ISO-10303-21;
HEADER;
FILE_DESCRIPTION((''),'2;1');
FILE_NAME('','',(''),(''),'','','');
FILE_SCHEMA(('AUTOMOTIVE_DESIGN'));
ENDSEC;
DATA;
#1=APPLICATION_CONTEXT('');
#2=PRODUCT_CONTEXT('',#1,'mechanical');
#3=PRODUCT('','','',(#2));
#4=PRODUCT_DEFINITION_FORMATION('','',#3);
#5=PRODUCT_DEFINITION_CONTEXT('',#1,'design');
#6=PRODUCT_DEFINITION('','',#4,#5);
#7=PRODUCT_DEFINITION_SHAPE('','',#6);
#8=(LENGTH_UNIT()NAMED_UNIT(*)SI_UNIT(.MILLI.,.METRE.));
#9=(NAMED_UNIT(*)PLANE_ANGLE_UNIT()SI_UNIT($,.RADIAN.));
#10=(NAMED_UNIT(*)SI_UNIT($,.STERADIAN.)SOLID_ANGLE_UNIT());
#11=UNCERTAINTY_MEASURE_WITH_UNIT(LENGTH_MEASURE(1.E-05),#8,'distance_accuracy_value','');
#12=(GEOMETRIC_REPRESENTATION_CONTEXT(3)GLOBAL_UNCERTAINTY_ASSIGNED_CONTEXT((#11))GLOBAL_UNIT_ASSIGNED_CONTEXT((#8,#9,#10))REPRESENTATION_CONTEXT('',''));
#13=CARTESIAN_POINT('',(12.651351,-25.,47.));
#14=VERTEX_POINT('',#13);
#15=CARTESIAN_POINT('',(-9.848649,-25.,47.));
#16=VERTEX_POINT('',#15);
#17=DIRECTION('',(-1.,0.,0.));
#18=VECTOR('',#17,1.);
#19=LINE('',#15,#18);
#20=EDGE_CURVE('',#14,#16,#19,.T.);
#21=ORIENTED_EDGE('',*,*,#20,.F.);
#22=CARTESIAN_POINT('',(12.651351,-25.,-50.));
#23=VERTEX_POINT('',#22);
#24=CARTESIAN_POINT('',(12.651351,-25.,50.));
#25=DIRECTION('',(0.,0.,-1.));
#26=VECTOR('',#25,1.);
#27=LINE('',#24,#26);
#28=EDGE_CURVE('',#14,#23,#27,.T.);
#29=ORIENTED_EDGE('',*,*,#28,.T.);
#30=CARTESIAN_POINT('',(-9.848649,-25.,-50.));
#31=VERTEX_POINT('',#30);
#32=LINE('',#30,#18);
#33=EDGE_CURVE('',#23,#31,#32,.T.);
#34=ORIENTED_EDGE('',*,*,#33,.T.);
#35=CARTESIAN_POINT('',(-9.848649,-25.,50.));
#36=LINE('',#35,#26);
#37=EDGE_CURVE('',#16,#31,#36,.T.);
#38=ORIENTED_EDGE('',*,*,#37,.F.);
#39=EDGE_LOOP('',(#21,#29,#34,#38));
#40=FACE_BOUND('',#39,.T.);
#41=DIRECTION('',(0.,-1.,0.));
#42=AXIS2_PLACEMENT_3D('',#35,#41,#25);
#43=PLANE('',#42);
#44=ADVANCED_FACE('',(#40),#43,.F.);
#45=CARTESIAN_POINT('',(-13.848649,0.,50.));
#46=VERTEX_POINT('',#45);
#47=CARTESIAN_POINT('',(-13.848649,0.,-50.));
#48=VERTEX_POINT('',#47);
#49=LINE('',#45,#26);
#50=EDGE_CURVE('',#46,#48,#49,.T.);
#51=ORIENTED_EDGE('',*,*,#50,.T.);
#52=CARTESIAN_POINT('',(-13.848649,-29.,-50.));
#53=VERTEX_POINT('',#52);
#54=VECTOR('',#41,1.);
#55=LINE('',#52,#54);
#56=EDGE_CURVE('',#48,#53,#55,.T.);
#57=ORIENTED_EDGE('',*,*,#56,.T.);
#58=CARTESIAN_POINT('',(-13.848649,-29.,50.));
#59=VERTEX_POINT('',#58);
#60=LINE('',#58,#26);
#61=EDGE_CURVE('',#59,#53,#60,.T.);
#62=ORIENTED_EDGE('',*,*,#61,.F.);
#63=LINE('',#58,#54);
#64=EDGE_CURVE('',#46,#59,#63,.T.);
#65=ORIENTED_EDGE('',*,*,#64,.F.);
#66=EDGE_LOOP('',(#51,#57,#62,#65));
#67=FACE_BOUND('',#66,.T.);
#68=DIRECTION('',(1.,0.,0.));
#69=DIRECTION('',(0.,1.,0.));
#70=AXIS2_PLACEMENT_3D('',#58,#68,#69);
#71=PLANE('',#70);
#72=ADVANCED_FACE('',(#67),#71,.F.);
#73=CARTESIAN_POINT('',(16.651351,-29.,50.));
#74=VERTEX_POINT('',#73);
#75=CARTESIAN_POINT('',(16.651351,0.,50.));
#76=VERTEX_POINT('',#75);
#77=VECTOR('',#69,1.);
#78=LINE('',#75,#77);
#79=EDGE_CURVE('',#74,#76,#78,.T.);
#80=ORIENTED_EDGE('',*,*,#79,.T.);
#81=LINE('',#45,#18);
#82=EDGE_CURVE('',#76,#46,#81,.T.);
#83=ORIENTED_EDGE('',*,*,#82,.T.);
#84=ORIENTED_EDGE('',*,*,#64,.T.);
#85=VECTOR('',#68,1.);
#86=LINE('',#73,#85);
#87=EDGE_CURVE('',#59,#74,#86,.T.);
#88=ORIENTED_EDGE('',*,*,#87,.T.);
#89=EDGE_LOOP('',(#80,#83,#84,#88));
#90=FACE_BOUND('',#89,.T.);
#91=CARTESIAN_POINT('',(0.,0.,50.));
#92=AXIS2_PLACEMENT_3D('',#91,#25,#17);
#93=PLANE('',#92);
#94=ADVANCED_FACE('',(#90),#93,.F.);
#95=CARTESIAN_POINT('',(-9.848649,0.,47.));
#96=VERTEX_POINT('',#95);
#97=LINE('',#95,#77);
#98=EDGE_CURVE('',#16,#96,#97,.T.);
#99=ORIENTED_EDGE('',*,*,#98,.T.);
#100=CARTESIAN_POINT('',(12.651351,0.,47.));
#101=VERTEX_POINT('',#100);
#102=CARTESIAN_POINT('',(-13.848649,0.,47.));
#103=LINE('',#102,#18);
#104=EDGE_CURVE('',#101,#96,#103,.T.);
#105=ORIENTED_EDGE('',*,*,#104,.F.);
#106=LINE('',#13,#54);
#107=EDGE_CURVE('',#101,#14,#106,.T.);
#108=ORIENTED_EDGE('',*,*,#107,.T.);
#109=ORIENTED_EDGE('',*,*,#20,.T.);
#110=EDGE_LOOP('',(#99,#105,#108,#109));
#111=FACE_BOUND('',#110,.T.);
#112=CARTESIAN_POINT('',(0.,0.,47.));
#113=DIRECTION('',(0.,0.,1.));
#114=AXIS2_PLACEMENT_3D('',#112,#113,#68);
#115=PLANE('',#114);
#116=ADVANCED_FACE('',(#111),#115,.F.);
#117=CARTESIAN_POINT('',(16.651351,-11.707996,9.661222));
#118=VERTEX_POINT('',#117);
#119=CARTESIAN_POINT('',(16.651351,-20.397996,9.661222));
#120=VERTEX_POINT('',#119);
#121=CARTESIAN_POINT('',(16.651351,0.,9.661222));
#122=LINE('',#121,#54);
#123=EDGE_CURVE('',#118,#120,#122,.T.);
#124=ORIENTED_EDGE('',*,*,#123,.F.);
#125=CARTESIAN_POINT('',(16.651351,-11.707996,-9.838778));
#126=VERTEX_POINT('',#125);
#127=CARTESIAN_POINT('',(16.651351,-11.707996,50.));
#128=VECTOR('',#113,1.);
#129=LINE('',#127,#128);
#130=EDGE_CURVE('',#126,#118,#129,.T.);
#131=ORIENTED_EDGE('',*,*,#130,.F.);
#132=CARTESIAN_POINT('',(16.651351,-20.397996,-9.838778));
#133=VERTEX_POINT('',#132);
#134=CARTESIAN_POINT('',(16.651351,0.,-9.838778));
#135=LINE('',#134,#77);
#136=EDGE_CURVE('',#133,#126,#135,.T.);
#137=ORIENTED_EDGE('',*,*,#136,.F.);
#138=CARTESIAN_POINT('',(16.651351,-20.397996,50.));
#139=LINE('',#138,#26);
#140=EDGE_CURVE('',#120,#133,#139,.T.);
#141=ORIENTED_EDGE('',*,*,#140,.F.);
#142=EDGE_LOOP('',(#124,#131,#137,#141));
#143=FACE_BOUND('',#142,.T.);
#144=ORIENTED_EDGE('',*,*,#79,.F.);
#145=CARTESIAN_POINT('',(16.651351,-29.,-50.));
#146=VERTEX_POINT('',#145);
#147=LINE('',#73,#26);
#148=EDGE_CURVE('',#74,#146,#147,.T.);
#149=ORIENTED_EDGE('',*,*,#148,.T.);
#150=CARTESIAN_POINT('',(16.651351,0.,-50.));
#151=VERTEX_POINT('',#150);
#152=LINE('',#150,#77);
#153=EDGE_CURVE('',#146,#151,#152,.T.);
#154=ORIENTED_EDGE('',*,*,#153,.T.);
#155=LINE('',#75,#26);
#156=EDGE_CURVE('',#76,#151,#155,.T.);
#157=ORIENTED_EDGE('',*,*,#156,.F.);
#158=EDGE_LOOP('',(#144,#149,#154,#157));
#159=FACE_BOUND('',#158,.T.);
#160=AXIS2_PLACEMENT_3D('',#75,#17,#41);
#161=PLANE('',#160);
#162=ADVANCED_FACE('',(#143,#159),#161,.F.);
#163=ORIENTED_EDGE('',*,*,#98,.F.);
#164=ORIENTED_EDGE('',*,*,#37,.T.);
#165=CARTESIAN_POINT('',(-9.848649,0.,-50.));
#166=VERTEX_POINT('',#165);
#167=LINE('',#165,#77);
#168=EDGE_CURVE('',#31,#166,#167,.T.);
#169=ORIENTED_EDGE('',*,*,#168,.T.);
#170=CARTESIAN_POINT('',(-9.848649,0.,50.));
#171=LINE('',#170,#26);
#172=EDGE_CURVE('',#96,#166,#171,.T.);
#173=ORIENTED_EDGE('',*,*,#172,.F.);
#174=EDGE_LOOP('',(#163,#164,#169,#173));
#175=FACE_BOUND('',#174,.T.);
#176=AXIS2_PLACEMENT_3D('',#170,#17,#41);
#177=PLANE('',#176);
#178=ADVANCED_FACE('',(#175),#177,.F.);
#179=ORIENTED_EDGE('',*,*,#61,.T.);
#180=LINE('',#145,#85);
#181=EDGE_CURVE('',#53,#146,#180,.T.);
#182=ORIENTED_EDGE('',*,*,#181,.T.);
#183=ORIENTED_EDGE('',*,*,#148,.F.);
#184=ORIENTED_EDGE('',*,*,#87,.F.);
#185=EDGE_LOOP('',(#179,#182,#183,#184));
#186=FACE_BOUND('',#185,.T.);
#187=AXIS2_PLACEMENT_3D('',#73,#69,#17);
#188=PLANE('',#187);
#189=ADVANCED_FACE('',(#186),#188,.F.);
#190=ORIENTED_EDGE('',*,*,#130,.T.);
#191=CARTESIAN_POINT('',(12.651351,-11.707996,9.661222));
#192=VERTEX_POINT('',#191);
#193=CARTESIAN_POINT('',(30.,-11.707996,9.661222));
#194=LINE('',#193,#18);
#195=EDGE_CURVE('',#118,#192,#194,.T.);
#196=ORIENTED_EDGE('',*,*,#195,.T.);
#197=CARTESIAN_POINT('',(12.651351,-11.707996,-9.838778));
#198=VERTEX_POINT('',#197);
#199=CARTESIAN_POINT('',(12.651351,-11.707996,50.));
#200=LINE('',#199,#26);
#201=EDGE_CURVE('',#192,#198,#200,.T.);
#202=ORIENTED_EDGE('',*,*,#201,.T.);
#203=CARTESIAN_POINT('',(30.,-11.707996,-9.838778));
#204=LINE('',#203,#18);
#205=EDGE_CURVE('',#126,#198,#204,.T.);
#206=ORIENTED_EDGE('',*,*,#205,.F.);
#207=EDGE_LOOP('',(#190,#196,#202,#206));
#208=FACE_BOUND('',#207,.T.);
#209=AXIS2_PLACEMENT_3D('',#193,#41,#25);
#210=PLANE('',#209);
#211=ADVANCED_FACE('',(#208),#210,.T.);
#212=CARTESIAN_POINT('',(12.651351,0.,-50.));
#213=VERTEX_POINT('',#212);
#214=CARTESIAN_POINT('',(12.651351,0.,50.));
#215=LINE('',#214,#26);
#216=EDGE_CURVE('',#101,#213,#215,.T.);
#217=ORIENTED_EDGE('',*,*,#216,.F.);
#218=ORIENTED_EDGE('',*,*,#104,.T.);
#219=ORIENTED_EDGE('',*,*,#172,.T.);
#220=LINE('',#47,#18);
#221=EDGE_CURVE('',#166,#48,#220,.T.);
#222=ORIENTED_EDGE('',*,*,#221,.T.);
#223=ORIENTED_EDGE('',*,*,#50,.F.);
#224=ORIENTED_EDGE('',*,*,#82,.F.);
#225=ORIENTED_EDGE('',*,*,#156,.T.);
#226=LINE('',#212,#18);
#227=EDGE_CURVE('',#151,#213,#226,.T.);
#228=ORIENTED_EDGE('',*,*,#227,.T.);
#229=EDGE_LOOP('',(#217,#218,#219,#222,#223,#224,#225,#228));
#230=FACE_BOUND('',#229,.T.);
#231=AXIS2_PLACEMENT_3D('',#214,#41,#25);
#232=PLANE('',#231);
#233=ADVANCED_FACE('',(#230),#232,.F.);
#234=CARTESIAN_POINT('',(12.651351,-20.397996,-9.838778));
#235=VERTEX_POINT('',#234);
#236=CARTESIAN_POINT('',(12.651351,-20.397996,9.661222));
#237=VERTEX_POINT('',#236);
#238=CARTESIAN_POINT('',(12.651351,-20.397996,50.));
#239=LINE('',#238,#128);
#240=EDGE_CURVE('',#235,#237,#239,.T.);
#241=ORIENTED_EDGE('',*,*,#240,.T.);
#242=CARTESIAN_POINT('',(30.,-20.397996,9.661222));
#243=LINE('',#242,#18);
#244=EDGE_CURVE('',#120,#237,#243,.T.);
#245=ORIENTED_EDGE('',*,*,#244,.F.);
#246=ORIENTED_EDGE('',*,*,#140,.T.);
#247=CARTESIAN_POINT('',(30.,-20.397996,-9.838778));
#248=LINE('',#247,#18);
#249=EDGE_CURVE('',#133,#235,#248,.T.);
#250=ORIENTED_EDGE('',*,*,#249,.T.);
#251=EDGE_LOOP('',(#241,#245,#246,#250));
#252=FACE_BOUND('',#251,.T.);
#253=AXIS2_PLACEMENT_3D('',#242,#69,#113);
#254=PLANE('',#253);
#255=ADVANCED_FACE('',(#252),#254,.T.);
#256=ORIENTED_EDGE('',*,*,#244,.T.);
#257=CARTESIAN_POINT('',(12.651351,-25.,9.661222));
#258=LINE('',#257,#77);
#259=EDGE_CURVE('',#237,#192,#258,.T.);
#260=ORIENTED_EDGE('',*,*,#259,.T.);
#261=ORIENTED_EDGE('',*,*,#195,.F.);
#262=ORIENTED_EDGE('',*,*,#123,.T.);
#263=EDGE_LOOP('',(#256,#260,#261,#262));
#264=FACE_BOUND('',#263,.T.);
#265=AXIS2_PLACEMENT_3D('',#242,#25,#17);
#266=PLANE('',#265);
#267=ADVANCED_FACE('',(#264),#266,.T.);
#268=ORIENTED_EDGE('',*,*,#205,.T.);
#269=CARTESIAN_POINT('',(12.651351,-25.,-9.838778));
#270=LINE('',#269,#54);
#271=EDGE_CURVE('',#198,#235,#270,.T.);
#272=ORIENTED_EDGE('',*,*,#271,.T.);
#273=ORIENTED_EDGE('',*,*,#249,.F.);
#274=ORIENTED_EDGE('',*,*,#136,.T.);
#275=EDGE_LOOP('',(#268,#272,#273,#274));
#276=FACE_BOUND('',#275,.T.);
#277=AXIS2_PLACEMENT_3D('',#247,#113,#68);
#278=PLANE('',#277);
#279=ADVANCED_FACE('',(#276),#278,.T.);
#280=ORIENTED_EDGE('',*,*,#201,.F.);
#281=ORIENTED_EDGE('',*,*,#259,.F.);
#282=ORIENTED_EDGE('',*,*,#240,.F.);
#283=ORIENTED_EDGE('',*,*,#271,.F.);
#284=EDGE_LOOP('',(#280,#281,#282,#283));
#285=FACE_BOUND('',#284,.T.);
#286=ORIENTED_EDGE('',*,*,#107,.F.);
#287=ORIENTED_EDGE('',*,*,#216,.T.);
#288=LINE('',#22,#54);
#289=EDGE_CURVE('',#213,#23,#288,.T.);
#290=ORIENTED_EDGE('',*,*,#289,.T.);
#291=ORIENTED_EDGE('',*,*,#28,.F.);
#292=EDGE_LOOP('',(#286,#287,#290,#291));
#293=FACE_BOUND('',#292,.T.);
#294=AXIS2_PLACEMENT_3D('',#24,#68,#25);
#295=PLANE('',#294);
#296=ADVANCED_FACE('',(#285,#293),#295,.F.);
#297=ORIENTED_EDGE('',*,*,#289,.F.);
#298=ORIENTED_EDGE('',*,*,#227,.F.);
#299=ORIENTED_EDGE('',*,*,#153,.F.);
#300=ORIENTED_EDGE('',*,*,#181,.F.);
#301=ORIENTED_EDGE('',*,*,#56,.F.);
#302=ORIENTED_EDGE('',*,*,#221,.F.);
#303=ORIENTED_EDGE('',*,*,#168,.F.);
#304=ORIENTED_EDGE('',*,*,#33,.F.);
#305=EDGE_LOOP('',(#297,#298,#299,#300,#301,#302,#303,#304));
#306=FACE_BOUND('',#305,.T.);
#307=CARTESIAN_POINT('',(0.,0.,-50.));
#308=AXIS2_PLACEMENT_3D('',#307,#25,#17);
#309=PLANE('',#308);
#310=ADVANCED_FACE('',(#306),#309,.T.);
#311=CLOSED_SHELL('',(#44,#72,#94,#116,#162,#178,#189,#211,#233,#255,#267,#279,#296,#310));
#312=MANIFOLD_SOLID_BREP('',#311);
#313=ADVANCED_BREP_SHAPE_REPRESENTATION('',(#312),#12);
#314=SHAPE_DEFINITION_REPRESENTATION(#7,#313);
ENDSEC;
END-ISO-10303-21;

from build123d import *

# Parameters (mm, degrees)
BOSS_EXTRUDE1_DEPTH = 50
SKETCH2_W           = 30.5
SKETCH2_H           = 29
BOSS_EXTRUDE2_DEPTH = 3
SKETCH3_W           = 19.5
SKETCH3_H           = 8.69
CUT_EXTRUDE1_DEPTH  = 30


with BuildPart() as part:
    # Sketch1 → Boss-Extrude1 (new body, symmetric)
    with BuildSketch(Plane.XY):
        Polygon((-9.848648649, 0), (-9.848648649, -25), (12.651351351, -25), (12.651351351, 0), (16.651351351, 0), (16.651351351, -29), (-13.848648649, -29), (-13.848648649, 0), align=None)
    extrude(amount=BOSS_EXTRUDE1_DEPTH, both=True)

    # Sketch2 → Boss-Extrude2 (add)
    with BuildSketch(Plane.XY.offset(50)):
        with Locations((1.401351351, -14.5)):
            Rectangle(SKETCH2_W, SKETCH2_H)
    extrude(amount=-BOSS_EXTRUDE2_DEPTH)

    # Sketch3 → Cut-Extrude1 (cut)
    with BuildSketch(Plane(origin=(0, 0, 0), x_dir=(0, 0, -1), z_dir=(1, 0, 0))):
        with Locations((0.088778278, -16.052995557)):
            Rectangle(SKETCH3_W, SKETCH3_H)
    extrude(amount=CUT_EXTRUDE1_DEPTH, mode=Mode.SUBTRACT)


solid = part.part
